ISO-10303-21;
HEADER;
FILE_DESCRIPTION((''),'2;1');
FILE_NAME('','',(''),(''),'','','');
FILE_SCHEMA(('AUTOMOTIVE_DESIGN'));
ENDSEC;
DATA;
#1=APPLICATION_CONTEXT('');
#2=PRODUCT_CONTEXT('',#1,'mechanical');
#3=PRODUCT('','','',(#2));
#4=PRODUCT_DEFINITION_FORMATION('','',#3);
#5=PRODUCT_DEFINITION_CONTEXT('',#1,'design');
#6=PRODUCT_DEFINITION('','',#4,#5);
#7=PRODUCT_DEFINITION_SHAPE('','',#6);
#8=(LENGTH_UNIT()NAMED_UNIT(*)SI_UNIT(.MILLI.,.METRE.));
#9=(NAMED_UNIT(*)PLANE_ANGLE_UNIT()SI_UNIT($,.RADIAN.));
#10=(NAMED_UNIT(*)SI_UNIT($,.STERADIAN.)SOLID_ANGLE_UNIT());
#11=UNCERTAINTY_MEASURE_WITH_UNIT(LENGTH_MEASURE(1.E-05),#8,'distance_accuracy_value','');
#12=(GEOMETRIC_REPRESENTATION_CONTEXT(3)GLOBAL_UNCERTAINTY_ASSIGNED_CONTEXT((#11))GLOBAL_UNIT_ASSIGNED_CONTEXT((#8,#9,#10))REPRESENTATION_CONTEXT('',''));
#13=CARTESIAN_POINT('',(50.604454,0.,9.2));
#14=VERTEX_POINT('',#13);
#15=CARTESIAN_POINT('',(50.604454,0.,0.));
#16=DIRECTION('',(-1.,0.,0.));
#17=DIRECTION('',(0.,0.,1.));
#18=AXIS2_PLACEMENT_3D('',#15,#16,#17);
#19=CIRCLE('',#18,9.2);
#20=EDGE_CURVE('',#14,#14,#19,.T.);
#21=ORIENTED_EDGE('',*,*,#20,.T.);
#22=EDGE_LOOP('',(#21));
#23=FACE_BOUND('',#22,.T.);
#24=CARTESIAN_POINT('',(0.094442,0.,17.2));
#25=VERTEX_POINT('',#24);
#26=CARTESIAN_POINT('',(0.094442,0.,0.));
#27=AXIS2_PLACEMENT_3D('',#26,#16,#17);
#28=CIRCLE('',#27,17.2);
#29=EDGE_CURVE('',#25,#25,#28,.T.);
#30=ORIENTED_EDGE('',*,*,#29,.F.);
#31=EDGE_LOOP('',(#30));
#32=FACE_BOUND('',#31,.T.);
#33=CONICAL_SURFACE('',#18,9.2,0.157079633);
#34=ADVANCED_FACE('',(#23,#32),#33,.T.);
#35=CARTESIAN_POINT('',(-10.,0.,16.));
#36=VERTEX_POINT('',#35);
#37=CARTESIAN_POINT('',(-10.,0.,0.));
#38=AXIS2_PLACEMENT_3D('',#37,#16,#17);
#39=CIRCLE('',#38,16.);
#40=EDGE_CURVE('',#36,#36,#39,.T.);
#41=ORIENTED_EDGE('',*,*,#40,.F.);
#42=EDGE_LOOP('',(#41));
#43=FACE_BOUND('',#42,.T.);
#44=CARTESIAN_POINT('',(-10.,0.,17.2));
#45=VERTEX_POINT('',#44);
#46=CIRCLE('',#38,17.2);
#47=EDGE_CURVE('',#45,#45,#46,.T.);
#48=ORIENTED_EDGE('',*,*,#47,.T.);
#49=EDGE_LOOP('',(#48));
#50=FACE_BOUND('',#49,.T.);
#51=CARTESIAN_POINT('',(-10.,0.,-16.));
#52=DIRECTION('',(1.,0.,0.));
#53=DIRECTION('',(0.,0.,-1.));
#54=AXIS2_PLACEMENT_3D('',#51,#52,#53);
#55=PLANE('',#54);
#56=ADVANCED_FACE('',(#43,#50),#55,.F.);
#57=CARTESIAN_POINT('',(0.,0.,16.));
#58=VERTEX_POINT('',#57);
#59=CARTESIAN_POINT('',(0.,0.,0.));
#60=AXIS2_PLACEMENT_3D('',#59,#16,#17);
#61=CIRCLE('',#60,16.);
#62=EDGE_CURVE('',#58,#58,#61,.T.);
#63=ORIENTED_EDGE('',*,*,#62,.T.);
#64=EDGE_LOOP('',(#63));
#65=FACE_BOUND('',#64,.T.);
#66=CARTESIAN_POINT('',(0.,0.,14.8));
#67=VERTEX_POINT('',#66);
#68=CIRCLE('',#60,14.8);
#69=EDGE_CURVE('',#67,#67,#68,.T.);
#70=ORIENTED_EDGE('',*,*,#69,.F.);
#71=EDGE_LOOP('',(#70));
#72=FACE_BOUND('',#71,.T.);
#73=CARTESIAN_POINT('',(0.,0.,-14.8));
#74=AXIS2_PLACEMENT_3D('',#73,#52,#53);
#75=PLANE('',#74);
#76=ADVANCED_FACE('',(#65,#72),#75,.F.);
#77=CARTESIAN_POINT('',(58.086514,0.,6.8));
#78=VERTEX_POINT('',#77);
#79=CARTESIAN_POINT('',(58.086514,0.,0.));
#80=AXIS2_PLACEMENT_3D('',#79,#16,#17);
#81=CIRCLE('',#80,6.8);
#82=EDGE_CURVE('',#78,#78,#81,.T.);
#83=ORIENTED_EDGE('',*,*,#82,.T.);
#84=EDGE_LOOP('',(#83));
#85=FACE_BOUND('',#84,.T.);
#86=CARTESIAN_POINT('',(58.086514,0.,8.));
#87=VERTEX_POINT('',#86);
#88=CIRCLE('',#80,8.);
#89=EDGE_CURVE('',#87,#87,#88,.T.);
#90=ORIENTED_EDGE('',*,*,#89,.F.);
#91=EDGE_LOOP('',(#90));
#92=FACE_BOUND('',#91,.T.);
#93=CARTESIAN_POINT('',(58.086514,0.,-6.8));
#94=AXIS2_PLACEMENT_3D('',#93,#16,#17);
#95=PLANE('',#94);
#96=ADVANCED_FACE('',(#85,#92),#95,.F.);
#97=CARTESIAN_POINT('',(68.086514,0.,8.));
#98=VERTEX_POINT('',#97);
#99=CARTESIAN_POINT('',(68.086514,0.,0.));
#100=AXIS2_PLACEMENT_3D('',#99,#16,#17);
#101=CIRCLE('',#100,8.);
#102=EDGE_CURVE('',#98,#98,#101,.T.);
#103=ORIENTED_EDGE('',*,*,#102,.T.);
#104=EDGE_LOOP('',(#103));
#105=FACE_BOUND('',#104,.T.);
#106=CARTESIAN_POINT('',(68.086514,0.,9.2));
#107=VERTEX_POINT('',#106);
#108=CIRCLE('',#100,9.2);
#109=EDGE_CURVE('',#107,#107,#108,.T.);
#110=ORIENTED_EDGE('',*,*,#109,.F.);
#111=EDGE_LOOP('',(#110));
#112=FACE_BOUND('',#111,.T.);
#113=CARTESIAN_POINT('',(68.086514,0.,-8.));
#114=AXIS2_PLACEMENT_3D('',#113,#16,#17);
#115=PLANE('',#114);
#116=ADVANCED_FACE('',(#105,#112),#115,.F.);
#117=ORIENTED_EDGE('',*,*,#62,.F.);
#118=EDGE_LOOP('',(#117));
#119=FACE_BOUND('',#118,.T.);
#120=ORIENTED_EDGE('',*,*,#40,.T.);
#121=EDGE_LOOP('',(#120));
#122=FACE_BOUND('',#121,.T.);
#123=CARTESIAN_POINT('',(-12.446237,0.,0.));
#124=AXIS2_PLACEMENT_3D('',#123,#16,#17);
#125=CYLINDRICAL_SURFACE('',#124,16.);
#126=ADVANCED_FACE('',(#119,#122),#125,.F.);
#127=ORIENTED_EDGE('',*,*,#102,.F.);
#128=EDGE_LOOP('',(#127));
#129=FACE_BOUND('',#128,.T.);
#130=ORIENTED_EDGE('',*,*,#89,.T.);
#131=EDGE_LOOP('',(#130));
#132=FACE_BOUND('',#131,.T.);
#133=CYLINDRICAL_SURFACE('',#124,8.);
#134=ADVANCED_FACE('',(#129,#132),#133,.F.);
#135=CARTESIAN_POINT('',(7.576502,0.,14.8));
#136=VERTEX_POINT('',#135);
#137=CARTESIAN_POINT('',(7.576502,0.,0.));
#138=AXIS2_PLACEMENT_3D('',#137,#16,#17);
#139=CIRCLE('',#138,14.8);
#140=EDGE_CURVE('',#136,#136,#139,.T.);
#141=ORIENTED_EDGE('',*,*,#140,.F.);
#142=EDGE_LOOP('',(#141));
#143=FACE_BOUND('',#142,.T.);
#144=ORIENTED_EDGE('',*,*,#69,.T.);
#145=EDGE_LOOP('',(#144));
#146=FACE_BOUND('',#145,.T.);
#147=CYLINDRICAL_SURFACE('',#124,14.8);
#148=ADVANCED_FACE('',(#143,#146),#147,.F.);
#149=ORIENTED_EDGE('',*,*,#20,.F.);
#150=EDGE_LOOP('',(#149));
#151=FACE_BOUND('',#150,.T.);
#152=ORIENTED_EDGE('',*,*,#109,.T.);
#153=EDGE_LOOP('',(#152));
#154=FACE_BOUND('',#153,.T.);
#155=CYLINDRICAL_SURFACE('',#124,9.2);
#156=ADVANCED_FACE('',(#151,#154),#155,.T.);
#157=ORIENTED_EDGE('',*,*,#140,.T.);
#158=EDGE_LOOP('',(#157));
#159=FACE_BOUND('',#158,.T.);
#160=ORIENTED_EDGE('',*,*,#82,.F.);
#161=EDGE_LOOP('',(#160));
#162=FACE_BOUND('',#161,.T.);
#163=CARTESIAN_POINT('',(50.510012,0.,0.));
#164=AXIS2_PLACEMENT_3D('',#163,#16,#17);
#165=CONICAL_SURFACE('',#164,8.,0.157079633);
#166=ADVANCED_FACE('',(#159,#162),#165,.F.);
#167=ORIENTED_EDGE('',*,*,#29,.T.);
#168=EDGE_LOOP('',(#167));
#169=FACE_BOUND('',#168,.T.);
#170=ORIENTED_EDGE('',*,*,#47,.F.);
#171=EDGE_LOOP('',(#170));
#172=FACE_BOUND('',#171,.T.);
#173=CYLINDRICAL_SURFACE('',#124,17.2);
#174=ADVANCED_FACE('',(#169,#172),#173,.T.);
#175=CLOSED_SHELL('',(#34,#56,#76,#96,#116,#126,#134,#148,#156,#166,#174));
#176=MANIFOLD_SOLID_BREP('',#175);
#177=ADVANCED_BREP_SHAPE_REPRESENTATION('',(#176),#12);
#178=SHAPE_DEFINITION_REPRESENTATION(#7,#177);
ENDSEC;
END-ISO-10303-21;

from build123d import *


with BuildPart() as part:
    # Sketch1 → Revolve1 (revolve)
    with BuildSketch(Plane(origin=(0, 0, 0), x_dir=(1, 0, 0), z_dir=(0, 1, 0)), mode=Mode.PRIVATE) as revolve1_sk:
        Polygon((0, 16), (-10, 16), (-10, 17.2), (0.094442048, 17.2), (50.604454166, 9.2), (68.086513935, 9.2), (68.086513935, 8), (58.086513935, 8), (58.086513935, 6.8), (50.510012117, 8), (7.576501818, 14.8), (0, 14.8), align=None)
    revolve(revolve1_sk.sketch.rotate(Axis((-12.446236559, 0, 0), (1, 0, 0)), 180), axis=Axis((-12.446236559, 0, 0), (1, 0, 0)))


solid = part.part
